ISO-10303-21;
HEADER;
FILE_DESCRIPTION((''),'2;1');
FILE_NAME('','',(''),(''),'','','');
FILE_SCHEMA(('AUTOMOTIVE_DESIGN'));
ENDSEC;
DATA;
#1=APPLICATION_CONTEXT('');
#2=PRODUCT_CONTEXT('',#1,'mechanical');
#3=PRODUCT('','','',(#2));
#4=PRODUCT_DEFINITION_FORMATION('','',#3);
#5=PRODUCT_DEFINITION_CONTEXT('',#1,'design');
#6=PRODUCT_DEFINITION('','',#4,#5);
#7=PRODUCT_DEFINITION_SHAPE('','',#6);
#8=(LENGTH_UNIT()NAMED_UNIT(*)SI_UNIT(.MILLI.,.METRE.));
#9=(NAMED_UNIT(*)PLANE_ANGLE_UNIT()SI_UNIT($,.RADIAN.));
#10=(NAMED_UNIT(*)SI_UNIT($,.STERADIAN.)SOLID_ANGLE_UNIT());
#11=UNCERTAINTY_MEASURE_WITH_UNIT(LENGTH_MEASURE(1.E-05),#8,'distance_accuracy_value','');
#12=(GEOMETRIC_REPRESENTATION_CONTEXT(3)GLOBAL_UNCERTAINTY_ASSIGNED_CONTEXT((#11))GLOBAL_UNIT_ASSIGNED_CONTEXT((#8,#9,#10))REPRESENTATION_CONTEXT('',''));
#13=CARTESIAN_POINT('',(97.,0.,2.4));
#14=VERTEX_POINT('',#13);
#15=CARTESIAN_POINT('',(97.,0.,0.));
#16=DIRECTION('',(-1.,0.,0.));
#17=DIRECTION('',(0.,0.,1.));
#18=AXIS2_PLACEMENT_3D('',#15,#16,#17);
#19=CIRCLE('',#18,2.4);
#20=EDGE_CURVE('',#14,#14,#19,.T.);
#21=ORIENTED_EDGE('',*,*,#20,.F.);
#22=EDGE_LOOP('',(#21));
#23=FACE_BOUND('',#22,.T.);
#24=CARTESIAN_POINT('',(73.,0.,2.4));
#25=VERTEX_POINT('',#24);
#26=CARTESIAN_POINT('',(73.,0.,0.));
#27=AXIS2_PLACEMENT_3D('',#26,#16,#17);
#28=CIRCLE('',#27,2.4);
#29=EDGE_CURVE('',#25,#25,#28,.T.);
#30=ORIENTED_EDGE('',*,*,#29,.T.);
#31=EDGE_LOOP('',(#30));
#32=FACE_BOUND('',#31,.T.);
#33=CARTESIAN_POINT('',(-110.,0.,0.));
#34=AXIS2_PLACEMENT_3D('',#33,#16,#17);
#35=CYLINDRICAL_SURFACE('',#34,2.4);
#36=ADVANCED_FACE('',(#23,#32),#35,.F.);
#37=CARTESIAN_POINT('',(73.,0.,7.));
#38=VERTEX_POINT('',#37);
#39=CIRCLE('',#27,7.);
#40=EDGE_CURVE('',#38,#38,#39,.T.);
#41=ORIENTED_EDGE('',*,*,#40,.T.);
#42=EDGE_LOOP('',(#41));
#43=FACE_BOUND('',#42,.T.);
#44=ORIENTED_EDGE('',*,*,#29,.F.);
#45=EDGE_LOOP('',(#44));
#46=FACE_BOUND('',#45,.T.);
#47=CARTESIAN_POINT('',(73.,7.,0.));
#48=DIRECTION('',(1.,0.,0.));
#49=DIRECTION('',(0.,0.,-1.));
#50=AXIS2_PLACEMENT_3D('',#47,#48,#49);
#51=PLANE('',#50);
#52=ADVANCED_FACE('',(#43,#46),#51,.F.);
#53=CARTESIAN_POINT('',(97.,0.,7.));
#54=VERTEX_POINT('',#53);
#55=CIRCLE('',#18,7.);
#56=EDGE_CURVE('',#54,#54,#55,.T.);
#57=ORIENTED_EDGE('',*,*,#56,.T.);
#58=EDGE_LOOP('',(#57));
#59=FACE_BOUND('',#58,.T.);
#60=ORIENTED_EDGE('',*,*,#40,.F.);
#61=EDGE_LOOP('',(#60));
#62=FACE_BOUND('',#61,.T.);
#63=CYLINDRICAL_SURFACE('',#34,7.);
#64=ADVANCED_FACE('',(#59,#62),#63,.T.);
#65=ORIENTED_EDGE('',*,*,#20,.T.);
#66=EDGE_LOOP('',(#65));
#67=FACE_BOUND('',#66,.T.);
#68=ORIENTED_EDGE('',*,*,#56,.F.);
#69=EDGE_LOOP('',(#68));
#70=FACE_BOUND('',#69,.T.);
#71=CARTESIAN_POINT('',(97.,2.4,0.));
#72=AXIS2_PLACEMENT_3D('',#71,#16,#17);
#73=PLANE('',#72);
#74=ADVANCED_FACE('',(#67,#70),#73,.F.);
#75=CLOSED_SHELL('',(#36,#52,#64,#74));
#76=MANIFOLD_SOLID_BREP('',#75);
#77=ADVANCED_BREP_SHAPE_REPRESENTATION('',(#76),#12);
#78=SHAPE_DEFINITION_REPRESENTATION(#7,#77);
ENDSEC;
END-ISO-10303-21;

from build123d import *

# Parameters (mm, degrees)
AXIAL_PROFILE_MM_W = 24
AXIAL_PROFILE_MM_H = 4.6


with BuildPart() as part:
    # Axial profile (mm) → Full revolution (revolve)
    with BuildSketch(Plane.XY, mode=Mode.PRIVATE) as full_revolution_sk:
        with Locations((85, 4.7)):
            Rectangle(AXIAL_PROFILE_MM_W, AXIAL_PROFILE_MM_H)
    revolve(full_revolution_sk.sketch.rotate(Axis((-110, 0, 0), (1, 0, 0)), 90), axis=Axis((-110, 0, 0), (1, 0, 0)))


solid = part.part
